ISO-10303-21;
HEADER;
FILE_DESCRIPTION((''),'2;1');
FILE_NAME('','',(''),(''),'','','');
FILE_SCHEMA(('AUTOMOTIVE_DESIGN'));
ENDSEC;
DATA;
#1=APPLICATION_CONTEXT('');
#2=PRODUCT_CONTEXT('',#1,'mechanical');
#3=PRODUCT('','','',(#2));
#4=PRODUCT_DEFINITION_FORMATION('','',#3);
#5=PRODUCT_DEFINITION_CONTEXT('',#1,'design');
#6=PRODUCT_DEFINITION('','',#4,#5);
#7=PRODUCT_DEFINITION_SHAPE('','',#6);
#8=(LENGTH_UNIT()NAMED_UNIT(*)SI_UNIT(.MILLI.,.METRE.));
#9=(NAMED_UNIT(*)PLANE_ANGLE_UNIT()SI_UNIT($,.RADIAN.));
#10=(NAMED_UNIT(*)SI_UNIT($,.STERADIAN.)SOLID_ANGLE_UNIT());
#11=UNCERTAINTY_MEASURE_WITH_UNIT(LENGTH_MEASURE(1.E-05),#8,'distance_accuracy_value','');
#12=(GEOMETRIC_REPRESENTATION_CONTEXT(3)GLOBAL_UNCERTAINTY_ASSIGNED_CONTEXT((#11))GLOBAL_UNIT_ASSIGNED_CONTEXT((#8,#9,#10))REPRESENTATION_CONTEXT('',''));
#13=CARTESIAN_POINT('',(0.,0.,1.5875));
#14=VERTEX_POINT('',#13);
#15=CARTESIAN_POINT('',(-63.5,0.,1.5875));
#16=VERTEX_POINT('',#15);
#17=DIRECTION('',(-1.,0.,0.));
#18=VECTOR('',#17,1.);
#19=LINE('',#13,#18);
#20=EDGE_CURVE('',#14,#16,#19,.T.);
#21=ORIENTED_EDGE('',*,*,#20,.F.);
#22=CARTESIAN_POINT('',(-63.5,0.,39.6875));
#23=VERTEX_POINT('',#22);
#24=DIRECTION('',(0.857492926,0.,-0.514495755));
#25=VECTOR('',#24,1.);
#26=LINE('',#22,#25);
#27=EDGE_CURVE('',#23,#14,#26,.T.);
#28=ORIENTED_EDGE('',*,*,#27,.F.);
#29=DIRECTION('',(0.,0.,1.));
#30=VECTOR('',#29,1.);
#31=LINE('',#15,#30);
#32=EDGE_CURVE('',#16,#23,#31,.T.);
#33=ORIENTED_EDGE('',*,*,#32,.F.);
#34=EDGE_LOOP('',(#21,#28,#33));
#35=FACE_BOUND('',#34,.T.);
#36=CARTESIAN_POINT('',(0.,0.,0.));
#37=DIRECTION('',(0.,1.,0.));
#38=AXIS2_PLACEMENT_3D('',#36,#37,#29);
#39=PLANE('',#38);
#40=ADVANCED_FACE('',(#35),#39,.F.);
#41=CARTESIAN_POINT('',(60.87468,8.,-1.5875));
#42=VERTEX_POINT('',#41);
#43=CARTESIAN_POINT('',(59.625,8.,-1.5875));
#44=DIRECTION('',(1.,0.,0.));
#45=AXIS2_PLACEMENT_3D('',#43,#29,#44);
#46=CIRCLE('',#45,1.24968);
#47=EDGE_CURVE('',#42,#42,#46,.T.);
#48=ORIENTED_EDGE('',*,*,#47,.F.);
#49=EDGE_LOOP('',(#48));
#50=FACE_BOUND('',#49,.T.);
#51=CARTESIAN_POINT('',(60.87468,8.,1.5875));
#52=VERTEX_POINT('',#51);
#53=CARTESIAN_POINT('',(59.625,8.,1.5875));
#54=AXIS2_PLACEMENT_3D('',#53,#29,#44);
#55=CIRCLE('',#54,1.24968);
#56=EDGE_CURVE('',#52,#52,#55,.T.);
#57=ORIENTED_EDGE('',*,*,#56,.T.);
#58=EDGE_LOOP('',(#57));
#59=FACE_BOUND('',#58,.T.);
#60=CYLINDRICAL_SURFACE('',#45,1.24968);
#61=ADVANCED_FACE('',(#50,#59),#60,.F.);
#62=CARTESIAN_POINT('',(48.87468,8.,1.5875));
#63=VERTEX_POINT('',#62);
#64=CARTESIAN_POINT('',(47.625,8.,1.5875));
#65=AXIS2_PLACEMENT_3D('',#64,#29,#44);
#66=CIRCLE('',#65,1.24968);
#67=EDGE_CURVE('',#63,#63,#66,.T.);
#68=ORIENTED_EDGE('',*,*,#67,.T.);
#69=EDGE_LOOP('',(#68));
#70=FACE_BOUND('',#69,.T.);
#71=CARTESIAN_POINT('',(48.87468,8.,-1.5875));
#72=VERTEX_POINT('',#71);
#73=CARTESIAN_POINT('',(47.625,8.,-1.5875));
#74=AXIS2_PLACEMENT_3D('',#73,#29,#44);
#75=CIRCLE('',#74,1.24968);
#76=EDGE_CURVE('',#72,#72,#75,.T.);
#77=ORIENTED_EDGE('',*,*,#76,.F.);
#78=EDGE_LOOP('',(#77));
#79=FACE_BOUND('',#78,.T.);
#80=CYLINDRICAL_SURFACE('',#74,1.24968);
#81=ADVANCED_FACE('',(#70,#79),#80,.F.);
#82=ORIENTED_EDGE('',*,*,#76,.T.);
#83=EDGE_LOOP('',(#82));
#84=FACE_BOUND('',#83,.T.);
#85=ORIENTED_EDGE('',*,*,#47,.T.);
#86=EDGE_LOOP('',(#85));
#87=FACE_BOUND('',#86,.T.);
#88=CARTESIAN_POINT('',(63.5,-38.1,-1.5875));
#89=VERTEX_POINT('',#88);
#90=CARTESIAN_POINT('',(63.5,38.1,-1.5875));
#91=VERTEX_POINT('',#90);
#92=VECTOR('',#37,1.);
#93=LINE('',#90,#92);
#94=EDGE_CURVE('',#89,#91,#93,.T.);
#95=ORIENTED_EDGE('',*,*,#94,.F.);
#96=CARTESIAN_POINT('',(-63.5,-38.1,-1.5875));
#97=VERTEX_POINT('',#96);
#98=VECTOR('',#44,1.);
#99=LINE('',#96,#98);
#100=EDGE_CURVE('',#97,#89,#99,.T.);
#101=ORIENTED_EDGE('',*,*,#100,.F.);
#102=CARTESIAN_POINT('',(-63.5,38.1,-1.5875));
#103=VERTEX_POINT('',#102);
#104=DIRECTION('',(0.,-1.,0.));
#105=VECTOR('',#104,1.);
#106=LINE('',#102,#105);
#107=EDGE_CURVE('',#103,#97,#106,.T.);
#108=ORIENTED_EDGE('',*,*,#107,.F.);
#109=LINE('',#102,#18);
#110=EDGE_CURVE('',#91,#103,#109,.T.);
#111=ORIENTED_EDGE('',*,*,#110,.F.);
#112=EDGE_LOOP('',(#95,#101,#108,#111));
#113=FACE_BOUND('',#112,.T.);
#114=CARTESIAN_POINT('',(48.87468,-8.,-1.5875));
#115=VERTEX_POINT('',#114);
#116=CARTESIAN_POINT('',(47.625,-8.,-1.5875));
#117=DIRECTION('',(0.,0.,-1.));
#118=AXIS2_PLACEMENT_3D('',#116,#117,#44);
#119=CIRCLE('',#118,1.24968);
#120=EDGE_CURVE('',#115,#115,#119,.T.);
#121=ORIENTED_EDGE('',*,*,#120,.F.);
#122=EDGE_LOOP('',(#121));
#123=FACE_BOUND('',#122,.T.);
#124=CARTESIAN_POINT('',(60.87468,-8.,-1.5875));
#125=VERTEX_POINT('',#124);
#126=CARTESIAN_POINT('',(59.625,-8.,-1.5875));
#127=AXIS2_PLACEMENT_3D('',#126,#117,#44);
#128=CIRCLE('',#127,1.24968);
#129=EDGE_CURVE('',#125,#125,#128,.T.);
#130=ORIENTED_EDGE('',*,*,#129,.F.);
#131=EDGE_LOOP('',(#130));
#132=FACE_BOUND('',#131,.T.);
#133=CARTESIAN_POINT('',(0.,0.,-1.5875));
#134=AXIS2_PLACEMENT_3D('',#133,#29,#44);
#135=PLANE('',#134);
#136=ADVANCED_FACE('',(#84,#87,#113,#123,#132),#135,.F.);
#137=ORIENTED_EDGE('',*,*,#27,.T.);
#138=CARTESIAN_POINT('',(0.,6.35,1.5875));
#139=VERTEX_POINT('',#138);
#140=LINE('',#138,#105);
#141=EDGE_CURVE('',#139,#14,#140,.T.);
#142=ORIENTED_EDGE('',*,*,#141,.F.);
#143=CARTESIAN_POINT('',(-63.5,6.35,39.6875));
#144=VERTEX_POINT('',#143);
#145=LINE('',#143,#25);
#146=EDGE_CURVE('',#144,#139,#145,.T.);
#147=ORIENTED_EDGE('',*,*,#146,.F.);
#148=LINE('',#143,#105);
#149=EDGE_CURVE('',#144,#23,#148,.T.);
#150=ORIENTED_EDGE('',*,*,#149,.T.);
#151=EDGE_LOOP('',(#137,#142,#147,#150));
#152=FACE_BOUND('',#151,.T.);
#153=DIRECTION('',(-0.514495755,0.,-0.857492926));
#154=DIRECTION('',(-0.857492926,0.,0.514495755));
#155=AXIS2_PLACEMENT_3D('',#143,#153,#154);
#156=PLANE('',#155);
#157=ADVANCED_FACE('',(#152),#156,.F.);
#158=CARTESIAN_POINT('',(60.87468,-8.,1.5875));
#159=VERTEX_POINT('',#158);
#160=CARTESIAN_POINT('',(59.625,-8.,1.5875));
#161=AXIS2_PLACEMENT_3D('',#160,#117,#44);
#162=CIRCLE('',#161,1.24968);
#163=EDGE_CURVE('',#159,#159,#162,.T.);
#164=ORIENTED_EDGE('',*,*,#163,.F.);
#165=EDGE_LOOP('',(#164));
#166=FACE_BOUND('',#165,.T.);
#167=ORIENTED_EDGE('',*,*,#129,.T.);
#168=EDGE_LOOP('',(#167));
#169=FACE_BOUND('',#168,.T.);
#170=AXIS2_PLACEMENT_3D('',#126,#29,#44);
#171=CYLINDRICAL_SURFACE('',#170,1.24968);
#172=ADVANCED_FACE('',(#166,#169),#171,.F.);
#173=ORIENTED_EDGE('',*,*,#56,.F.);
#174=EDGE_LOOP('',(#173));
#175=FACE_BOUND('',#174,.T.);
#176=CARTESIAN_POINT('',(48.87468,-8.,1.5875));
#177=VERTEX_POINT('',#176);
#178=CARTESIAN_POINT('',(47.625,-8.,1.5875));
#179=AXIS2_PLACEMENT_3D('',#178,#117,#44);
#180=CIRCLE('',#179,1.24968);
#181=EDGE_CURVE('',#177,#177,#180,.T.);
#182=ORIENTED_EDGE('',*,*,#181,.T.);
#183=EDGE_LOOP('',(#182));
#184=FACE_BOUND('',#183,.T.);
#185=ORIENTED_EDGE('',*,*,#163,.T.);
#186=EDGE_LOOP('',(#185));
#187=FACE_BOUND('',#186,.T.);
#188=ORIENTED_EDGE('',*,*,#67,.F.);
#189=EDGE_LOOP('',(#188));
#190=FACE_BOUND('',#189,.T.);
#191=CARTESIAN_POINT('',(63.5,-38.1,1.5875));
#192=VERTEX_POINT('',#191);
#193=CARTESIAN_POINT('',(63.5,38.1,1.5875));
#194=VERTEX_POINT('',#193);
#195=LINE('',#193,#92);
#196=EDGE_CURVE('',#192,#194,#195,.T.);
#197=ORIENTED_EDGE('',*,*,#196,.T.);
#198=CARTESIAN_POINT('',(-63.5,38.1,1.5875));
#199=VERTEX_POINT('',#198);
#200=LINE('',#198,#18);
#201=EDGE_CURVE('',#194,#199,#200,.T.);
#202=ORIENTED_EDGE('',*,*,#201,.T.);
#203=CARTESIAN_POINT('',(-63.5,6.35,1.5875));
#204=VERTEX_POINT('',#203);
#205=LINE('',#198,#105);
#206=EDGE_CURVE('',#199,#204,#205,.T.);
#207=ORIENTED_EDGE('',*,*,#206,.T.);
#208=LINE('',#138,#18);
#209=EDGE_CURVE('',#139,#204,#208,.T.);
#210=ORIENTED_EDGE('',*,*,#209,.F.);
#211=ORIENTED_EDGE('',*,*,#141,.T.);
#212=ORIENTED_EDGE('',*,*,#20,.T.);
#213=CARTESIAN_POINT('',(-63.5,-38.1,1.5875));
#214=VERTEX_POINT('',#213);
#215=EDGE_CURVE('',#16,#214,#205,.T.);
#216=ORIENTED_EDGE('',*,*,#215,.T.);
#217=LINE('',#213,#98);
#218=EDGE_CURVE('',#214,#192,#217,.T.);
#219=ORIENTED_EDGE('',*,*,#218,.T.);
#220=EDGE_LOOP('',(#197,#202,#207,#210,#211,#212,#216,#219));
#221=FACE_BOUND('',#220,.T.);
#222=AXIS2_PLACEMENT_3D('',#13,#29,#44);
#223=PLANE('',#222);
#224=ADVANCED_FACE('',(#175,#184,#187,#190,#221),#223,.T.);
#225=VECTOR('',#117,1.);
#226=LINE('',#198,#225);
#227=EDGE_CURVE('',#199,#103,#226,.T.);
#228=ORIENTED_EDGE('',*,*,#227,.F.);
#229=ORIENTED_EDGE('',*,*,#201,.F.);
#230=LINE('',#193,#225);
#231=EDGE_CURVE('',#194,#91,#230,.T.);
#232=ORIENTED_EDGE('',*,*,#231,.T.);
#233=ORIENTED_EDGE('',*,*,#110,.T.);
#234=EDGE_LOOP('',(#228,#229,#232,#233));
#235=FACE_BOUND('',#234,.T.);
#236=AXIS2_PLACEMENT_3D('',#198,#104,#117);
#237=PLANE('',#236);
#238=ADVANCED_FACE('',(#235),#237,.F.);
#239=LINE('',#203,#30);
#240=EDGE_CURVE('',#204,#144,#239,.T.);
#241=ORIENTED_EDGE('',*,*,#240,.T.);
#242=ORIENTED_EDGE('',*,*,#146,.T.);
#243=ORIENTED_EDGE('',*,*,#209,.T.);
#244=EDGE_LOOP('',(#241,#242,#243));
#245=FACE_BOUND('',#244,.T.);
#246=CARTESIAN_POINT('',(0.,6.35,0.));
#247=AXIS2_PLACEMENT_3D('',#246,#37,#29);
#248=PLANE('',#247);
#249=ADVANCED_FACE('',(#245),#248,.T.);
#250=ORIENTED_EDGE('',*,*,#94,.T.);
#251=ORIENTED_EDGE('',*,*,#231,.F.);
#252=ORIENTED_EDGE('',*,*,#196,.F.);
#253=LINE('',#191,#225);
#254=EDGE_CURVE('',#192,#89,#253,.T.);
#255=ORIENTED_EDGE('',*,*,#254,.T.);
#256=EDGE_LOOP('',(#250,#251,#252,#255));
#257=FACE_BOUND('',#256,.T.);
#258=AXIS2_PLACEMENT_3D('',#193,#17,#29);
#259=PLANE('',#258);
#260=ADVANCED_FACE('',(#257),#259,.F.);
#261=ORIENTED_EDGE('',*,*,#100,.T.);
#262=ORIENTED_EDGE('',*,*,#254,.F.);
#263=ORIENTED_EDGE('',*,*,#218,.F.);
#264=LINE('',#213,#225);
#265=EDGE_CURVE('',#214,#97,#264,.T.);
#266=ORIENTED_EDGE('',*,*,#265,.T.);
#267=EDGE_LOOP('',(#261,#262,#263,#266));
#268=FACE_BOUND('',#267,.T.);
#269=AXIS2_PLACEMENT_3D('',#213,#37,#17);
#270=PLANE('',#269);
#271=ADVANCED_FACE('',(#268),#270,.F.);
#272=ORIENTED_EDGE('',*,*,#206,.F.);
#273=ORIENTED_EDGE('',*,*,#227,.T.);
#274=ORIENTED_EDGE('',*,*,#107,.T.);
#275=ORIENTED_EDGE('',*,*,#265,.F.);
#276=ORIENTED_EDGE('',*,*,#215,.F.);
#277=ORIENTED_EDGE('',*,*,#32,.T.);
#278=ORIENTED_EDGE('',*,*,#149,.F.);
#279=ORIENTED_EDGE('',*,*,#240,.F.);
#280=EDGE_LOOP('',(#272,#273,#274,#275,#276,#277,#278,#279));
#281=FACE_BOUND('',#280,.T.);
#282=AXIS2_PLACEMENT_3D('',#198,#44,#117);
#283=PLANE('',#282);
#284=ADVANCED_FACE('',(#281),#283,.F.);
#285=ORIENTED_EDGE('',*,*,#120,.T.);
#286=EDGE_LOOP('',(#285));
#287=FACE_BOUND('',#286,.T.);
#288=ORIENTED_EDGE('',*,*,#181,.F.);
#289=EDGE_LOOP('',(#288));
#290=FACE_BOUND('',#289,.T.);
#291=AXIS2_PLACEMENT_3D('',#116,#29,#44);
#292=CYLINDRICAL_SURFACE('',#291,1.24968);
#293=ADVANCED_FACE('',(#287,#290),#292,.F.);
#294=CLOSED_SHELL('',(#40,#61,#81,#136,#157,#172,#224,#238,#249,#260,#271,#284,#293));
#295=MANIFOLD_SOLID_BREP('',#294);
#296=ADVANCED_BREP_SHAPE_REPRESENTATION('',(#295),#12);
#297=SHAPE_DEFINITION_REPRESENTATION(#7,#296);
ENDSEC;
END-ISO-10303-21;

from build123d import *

# Parameters (mm, degrees)
ESQUISSE1_W             = 127
ESQUISSE1_H             = 76.2
BOSS_EXTRU_1_DEPTH      = 1.5875
ESQUISSE2_R             = 1.24968
ENL_V_MAT_EXTRU_1_DEPTH = 75.121121315
BOSS_EXTRUDE1_DEPTH     = 6.35


with BuildPart() as part:
    # Esquisse1 → Boss.-Extru.1 (new, symmetric)
    with BuildSketch(Plane.XY):
        Rectangle(ESQUISSE1_W, ESQUISSE1_H)
    extrude(amount=BOSS_EXTRU_1_DEPTH, both=True)

    # Esquisse2 → Enlèv. mat.-Extru.1 (cut, through all)
    with BuildSketch(Plane.XY.offset(1.5875)):
        with Locations((47.625, 8)):
            Circle(ESQUISSE2_R)
        with Locations((59.625, 8)):
            Circle(ESQUISSE2_R)
    enl_v_mat_extru_1 = extrude(amount=-ENL_V_MAT_EXTRU_1_DEPTH, mode=Mode.SUBTRACT)

    # Symétrie1: Enlèv. mat.-Extru.1 across plane
    add(enl_v_mat_extru_1.mirror(Plane.ZX), mode=Mode.SUBTRACT)

    # Sketch1 → Boss-Extrude1 (add)
    with BuildSketch(Plane(origin=(0, 0, 0), x_dir=(1, 0, 0), z_dir=(0, 1, 0))):
        Polygon((-63.5, -1.5875), (-63.5, -39.6875), (0, -1.5875), align=None)
    extrude(amount=BOSS_EXTRUDE1_DEPTH)


solid = part.part
